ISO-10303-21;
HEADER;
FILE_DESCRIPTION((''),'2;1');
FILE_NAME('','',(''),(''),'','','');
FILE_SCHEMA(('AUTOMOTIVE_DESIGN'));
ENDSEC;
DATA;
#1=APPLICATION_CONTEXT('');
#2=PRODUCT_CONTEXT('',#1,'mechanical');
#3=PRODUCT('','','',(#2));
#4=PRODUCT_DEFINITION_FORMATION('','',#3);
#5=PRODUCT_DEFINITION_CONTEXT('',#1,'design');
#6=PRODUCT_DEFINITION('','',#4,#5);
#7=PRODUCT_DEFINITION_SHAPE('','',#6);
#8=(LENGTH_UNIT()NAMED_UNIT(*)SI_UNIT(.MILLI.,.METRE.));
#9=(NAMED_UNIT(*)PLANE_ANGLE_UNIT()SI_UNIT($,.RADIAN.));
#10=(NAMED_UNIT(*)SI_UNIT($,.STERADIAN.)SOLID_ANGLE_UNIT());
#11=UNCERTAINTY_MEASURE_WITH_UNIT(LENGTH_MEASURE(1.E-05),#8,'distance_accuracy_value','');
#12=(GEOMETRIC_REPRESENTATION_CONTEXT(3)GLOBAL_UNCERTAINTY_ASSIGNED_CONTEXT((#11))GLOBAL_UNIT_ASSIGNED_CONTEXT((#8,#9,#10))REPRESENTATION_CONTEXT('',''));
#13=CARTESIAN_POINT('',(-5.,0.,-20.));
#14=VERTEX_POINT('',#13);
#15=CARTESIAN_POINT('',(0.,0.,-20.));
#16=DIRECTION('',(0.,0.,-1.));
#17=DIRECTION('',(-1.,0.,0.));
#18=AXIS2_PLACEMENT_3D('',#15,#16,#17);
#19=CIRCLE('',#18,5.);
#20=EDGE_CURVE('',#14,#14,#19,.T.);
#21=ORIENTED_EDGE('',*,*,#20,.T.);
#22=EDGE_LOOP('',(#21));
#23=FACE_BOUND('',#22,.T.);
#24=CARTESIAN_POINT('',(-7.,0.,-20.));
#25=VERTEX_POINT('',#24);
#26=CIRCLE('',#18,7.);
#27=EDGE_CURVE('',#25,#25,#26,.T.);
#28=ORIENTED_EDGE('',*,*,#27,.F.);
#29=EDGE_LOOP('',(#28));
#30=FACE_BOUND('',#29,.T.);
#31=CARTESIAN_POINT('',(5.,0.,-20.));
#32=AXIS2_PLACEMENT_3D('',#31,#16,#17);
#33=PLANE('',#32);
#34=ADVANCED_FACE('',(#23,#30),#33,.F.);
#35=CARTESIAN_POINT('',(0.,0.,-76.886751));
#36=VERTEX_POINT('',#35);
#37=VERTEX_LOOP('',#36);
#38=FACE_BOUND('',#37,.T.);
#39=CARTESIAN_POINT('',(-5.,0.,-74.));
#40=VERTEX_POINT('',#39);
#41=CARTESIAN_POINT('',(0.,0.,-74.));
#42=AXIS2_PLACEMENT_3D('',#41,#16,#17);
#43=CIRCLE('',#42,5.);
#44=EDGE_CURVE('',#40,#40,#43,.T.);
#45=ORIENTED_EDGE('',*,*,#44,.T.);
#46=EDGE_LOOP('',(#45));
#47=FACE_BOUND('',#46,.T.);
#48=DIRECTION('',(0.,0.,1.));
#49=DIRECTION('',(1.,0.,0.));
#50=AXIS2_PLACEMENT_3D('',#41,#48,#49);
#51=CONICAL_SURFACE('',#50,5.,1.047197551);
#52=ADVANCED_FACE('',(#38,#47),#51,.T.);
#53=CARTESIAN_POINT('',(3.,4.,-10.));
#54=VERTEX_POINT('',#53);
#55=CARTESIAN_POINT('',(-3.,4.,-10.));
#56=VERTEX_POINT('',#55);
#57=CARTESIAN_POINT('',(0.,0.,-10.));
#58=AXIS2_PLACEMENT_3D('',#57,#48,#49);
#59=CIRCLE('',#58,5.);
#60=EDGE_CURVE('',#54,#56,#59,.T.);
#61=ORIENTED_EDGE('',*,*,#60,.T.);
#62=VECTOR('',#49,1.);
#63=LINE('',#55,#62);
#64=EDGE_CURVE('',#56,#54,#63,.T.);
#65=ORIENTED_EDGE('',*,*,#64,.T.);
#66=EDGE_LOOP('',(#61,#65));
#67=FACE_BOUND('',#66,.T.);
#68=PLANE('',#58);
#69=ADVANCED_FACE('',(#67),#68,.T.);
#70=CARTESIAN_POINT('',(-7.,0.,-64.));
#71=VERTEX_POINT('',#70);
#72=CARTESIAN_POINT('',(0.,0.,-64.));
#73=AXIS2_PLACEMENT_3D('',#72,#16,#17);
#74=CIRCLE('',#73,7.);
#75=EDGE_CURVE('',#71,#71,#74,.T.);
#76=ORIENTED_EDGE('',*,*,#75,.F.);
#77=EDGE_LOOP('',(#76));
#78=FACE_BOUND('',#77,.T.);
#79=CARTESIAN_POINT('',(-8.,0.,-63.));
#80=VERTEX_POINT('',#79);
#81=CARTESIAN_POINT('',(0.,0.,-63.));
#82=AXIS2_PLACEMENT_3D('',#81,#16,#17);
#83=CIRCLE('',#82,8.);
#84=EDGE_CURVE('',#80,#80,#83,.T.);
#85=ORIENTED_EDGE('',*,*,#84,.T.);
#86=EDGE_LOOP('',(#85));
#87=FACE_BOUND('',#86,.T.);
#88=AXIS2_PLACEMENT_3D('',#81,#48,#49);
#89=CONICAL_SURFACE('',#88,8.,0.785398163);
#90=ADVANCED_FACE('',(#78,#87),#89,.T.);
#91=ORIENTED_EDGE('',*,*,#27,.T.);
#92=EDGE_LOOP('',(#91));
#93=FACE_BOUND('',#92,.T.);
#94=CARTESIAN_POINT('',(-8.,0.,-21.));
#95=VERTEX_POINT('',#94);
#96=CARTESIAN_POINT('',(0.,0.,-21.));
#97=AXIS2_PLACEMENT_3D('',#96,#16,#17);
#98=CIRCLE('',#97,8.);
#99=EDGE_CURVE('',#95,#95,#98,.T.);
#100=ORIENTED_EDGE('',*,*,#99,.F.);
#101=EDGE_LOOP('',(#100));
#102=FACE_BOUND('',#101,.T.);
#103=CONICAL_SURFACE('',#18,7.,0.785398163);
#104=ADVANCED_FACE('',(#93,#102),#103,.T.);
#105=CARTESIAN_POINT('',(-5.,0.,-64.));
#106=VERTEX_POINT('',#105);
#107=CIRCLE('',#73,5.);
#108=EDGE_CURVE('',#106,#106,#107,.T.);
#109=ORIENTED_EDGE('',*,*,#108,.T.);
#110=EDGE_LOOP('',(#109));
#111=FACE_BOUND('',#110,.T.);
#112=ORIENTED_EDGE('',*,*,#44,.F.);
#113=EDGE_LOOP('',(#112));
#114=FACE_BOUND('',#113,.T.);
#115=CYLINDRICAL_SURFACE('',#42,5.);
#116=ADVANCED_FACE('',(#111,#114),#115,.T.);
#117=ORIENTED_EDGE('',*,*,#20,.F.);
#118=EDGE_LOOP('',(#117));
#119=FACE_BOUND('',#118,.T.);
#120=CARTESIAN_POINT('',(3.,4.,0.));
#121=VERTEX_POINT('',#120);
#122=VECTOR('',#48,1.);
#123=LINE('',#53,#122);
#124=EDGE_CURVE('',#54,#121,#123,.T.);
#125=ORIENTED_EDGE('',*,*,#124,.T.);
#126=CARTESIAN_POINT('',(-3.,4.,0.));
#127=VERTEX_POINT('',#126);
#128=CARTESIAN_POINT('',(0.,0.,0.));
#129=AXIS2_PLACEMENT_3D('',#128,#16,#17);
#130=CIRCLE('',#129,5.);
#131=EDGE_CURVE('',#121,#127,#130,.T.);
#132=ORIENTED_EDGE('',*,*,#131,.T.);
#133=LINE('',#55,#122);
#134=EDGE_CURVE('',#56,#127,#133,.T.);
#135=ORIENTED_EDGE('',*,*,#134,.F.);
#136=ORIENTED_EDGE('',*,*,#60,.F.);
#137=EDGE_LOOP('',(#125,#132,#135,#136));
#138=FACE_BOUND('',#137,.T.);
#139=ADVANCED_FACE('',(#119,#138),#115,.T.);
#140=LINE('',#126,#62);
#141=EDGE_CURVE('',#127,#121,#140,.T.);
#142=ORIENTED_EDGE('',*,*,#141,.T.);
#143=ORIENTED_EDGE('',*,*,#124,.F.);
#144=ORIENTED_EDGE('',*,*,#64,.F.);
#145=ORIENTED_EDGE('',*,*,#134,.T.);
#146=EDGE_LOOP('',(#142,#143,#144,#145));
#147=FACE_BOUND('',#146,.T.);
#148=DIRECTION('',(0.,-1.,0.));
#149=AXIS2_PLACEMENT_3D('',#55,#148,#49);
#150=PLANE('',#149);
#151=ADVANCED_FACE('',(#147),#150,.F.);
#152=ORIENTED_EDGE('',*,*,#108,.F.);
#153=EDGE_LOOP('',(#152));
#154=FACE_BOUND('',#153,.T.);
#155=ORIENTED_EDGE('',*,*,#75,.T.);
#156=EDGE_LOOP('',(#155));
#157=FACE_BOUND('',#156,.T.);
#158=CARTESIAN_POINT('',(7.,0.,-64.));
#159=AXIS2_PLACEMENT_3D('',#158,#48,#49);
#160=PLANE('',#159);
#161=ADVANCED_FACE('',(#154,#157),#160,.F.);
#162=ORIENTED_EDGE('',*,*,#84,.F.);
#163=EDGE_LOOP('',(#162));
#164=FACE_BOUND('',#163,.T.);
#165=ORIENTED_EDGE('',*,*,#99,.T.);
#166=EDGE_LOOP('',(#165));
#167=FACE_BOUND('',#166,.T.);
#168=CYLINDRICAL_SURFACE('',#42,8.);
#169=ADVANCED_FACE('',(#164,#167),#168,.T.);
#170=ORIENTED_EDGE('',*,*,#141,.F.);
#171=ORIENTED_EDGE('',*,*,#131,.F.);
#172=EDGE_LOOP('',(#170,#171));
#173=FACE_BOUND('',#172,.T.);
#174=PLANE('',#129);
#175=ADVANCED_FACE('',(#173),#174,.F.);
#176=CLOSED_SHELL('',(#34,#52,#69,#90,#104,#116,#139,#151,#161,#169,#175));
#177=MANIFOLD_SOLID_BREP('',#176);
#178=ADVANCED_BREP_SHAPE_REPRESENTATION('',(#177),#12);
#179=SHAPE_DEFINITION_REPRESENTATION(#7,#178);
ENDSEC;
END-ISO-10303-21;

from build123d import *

# Parameters (mm, degrees)
CUT_EXTRUDE1_START = -10
CUT_EXTRUDE1_DEPTH = 10


with BuildPart() as part:
    # Sketch1 → Revolve1 (revolve)
    with BuildSketch(Plane(origin=(0, 0, 0), x_dir=(1, 0, 0), z_dir=(0, 1, 0)), mode=Mode.PRIVATE) as revolve1_sk:
        Polygon((0, 74), (0, 0), (5, 0), (5, 20), (7, 20), (8, 21), (8, 63), (7, 64), (5, 64), (5, 74), (0, 76.886751346), align=None)
    revolve(revolve1_sk.sketch.rotate(Axis((0, 0, -74), (0, 0, 1)), 180), axis=Axis((0, 0, -74), (0, 0, 1)))

    # Sketch2 → Cut-Extrude1 (cut)
    with BuildSketch(Plane.XY.offset(CUT_EXTRUDE1_START)):
        with BuildLine():
            Line((-3, 4), (3, 4))
            ThreePointArc((3, 4), (0, 5), (-3, 4))
        make_face()
    extrude(amount=CUT_EXTRUDE1_DEPTH, mode=Mode.SUBTRACT)


solid = part.part
